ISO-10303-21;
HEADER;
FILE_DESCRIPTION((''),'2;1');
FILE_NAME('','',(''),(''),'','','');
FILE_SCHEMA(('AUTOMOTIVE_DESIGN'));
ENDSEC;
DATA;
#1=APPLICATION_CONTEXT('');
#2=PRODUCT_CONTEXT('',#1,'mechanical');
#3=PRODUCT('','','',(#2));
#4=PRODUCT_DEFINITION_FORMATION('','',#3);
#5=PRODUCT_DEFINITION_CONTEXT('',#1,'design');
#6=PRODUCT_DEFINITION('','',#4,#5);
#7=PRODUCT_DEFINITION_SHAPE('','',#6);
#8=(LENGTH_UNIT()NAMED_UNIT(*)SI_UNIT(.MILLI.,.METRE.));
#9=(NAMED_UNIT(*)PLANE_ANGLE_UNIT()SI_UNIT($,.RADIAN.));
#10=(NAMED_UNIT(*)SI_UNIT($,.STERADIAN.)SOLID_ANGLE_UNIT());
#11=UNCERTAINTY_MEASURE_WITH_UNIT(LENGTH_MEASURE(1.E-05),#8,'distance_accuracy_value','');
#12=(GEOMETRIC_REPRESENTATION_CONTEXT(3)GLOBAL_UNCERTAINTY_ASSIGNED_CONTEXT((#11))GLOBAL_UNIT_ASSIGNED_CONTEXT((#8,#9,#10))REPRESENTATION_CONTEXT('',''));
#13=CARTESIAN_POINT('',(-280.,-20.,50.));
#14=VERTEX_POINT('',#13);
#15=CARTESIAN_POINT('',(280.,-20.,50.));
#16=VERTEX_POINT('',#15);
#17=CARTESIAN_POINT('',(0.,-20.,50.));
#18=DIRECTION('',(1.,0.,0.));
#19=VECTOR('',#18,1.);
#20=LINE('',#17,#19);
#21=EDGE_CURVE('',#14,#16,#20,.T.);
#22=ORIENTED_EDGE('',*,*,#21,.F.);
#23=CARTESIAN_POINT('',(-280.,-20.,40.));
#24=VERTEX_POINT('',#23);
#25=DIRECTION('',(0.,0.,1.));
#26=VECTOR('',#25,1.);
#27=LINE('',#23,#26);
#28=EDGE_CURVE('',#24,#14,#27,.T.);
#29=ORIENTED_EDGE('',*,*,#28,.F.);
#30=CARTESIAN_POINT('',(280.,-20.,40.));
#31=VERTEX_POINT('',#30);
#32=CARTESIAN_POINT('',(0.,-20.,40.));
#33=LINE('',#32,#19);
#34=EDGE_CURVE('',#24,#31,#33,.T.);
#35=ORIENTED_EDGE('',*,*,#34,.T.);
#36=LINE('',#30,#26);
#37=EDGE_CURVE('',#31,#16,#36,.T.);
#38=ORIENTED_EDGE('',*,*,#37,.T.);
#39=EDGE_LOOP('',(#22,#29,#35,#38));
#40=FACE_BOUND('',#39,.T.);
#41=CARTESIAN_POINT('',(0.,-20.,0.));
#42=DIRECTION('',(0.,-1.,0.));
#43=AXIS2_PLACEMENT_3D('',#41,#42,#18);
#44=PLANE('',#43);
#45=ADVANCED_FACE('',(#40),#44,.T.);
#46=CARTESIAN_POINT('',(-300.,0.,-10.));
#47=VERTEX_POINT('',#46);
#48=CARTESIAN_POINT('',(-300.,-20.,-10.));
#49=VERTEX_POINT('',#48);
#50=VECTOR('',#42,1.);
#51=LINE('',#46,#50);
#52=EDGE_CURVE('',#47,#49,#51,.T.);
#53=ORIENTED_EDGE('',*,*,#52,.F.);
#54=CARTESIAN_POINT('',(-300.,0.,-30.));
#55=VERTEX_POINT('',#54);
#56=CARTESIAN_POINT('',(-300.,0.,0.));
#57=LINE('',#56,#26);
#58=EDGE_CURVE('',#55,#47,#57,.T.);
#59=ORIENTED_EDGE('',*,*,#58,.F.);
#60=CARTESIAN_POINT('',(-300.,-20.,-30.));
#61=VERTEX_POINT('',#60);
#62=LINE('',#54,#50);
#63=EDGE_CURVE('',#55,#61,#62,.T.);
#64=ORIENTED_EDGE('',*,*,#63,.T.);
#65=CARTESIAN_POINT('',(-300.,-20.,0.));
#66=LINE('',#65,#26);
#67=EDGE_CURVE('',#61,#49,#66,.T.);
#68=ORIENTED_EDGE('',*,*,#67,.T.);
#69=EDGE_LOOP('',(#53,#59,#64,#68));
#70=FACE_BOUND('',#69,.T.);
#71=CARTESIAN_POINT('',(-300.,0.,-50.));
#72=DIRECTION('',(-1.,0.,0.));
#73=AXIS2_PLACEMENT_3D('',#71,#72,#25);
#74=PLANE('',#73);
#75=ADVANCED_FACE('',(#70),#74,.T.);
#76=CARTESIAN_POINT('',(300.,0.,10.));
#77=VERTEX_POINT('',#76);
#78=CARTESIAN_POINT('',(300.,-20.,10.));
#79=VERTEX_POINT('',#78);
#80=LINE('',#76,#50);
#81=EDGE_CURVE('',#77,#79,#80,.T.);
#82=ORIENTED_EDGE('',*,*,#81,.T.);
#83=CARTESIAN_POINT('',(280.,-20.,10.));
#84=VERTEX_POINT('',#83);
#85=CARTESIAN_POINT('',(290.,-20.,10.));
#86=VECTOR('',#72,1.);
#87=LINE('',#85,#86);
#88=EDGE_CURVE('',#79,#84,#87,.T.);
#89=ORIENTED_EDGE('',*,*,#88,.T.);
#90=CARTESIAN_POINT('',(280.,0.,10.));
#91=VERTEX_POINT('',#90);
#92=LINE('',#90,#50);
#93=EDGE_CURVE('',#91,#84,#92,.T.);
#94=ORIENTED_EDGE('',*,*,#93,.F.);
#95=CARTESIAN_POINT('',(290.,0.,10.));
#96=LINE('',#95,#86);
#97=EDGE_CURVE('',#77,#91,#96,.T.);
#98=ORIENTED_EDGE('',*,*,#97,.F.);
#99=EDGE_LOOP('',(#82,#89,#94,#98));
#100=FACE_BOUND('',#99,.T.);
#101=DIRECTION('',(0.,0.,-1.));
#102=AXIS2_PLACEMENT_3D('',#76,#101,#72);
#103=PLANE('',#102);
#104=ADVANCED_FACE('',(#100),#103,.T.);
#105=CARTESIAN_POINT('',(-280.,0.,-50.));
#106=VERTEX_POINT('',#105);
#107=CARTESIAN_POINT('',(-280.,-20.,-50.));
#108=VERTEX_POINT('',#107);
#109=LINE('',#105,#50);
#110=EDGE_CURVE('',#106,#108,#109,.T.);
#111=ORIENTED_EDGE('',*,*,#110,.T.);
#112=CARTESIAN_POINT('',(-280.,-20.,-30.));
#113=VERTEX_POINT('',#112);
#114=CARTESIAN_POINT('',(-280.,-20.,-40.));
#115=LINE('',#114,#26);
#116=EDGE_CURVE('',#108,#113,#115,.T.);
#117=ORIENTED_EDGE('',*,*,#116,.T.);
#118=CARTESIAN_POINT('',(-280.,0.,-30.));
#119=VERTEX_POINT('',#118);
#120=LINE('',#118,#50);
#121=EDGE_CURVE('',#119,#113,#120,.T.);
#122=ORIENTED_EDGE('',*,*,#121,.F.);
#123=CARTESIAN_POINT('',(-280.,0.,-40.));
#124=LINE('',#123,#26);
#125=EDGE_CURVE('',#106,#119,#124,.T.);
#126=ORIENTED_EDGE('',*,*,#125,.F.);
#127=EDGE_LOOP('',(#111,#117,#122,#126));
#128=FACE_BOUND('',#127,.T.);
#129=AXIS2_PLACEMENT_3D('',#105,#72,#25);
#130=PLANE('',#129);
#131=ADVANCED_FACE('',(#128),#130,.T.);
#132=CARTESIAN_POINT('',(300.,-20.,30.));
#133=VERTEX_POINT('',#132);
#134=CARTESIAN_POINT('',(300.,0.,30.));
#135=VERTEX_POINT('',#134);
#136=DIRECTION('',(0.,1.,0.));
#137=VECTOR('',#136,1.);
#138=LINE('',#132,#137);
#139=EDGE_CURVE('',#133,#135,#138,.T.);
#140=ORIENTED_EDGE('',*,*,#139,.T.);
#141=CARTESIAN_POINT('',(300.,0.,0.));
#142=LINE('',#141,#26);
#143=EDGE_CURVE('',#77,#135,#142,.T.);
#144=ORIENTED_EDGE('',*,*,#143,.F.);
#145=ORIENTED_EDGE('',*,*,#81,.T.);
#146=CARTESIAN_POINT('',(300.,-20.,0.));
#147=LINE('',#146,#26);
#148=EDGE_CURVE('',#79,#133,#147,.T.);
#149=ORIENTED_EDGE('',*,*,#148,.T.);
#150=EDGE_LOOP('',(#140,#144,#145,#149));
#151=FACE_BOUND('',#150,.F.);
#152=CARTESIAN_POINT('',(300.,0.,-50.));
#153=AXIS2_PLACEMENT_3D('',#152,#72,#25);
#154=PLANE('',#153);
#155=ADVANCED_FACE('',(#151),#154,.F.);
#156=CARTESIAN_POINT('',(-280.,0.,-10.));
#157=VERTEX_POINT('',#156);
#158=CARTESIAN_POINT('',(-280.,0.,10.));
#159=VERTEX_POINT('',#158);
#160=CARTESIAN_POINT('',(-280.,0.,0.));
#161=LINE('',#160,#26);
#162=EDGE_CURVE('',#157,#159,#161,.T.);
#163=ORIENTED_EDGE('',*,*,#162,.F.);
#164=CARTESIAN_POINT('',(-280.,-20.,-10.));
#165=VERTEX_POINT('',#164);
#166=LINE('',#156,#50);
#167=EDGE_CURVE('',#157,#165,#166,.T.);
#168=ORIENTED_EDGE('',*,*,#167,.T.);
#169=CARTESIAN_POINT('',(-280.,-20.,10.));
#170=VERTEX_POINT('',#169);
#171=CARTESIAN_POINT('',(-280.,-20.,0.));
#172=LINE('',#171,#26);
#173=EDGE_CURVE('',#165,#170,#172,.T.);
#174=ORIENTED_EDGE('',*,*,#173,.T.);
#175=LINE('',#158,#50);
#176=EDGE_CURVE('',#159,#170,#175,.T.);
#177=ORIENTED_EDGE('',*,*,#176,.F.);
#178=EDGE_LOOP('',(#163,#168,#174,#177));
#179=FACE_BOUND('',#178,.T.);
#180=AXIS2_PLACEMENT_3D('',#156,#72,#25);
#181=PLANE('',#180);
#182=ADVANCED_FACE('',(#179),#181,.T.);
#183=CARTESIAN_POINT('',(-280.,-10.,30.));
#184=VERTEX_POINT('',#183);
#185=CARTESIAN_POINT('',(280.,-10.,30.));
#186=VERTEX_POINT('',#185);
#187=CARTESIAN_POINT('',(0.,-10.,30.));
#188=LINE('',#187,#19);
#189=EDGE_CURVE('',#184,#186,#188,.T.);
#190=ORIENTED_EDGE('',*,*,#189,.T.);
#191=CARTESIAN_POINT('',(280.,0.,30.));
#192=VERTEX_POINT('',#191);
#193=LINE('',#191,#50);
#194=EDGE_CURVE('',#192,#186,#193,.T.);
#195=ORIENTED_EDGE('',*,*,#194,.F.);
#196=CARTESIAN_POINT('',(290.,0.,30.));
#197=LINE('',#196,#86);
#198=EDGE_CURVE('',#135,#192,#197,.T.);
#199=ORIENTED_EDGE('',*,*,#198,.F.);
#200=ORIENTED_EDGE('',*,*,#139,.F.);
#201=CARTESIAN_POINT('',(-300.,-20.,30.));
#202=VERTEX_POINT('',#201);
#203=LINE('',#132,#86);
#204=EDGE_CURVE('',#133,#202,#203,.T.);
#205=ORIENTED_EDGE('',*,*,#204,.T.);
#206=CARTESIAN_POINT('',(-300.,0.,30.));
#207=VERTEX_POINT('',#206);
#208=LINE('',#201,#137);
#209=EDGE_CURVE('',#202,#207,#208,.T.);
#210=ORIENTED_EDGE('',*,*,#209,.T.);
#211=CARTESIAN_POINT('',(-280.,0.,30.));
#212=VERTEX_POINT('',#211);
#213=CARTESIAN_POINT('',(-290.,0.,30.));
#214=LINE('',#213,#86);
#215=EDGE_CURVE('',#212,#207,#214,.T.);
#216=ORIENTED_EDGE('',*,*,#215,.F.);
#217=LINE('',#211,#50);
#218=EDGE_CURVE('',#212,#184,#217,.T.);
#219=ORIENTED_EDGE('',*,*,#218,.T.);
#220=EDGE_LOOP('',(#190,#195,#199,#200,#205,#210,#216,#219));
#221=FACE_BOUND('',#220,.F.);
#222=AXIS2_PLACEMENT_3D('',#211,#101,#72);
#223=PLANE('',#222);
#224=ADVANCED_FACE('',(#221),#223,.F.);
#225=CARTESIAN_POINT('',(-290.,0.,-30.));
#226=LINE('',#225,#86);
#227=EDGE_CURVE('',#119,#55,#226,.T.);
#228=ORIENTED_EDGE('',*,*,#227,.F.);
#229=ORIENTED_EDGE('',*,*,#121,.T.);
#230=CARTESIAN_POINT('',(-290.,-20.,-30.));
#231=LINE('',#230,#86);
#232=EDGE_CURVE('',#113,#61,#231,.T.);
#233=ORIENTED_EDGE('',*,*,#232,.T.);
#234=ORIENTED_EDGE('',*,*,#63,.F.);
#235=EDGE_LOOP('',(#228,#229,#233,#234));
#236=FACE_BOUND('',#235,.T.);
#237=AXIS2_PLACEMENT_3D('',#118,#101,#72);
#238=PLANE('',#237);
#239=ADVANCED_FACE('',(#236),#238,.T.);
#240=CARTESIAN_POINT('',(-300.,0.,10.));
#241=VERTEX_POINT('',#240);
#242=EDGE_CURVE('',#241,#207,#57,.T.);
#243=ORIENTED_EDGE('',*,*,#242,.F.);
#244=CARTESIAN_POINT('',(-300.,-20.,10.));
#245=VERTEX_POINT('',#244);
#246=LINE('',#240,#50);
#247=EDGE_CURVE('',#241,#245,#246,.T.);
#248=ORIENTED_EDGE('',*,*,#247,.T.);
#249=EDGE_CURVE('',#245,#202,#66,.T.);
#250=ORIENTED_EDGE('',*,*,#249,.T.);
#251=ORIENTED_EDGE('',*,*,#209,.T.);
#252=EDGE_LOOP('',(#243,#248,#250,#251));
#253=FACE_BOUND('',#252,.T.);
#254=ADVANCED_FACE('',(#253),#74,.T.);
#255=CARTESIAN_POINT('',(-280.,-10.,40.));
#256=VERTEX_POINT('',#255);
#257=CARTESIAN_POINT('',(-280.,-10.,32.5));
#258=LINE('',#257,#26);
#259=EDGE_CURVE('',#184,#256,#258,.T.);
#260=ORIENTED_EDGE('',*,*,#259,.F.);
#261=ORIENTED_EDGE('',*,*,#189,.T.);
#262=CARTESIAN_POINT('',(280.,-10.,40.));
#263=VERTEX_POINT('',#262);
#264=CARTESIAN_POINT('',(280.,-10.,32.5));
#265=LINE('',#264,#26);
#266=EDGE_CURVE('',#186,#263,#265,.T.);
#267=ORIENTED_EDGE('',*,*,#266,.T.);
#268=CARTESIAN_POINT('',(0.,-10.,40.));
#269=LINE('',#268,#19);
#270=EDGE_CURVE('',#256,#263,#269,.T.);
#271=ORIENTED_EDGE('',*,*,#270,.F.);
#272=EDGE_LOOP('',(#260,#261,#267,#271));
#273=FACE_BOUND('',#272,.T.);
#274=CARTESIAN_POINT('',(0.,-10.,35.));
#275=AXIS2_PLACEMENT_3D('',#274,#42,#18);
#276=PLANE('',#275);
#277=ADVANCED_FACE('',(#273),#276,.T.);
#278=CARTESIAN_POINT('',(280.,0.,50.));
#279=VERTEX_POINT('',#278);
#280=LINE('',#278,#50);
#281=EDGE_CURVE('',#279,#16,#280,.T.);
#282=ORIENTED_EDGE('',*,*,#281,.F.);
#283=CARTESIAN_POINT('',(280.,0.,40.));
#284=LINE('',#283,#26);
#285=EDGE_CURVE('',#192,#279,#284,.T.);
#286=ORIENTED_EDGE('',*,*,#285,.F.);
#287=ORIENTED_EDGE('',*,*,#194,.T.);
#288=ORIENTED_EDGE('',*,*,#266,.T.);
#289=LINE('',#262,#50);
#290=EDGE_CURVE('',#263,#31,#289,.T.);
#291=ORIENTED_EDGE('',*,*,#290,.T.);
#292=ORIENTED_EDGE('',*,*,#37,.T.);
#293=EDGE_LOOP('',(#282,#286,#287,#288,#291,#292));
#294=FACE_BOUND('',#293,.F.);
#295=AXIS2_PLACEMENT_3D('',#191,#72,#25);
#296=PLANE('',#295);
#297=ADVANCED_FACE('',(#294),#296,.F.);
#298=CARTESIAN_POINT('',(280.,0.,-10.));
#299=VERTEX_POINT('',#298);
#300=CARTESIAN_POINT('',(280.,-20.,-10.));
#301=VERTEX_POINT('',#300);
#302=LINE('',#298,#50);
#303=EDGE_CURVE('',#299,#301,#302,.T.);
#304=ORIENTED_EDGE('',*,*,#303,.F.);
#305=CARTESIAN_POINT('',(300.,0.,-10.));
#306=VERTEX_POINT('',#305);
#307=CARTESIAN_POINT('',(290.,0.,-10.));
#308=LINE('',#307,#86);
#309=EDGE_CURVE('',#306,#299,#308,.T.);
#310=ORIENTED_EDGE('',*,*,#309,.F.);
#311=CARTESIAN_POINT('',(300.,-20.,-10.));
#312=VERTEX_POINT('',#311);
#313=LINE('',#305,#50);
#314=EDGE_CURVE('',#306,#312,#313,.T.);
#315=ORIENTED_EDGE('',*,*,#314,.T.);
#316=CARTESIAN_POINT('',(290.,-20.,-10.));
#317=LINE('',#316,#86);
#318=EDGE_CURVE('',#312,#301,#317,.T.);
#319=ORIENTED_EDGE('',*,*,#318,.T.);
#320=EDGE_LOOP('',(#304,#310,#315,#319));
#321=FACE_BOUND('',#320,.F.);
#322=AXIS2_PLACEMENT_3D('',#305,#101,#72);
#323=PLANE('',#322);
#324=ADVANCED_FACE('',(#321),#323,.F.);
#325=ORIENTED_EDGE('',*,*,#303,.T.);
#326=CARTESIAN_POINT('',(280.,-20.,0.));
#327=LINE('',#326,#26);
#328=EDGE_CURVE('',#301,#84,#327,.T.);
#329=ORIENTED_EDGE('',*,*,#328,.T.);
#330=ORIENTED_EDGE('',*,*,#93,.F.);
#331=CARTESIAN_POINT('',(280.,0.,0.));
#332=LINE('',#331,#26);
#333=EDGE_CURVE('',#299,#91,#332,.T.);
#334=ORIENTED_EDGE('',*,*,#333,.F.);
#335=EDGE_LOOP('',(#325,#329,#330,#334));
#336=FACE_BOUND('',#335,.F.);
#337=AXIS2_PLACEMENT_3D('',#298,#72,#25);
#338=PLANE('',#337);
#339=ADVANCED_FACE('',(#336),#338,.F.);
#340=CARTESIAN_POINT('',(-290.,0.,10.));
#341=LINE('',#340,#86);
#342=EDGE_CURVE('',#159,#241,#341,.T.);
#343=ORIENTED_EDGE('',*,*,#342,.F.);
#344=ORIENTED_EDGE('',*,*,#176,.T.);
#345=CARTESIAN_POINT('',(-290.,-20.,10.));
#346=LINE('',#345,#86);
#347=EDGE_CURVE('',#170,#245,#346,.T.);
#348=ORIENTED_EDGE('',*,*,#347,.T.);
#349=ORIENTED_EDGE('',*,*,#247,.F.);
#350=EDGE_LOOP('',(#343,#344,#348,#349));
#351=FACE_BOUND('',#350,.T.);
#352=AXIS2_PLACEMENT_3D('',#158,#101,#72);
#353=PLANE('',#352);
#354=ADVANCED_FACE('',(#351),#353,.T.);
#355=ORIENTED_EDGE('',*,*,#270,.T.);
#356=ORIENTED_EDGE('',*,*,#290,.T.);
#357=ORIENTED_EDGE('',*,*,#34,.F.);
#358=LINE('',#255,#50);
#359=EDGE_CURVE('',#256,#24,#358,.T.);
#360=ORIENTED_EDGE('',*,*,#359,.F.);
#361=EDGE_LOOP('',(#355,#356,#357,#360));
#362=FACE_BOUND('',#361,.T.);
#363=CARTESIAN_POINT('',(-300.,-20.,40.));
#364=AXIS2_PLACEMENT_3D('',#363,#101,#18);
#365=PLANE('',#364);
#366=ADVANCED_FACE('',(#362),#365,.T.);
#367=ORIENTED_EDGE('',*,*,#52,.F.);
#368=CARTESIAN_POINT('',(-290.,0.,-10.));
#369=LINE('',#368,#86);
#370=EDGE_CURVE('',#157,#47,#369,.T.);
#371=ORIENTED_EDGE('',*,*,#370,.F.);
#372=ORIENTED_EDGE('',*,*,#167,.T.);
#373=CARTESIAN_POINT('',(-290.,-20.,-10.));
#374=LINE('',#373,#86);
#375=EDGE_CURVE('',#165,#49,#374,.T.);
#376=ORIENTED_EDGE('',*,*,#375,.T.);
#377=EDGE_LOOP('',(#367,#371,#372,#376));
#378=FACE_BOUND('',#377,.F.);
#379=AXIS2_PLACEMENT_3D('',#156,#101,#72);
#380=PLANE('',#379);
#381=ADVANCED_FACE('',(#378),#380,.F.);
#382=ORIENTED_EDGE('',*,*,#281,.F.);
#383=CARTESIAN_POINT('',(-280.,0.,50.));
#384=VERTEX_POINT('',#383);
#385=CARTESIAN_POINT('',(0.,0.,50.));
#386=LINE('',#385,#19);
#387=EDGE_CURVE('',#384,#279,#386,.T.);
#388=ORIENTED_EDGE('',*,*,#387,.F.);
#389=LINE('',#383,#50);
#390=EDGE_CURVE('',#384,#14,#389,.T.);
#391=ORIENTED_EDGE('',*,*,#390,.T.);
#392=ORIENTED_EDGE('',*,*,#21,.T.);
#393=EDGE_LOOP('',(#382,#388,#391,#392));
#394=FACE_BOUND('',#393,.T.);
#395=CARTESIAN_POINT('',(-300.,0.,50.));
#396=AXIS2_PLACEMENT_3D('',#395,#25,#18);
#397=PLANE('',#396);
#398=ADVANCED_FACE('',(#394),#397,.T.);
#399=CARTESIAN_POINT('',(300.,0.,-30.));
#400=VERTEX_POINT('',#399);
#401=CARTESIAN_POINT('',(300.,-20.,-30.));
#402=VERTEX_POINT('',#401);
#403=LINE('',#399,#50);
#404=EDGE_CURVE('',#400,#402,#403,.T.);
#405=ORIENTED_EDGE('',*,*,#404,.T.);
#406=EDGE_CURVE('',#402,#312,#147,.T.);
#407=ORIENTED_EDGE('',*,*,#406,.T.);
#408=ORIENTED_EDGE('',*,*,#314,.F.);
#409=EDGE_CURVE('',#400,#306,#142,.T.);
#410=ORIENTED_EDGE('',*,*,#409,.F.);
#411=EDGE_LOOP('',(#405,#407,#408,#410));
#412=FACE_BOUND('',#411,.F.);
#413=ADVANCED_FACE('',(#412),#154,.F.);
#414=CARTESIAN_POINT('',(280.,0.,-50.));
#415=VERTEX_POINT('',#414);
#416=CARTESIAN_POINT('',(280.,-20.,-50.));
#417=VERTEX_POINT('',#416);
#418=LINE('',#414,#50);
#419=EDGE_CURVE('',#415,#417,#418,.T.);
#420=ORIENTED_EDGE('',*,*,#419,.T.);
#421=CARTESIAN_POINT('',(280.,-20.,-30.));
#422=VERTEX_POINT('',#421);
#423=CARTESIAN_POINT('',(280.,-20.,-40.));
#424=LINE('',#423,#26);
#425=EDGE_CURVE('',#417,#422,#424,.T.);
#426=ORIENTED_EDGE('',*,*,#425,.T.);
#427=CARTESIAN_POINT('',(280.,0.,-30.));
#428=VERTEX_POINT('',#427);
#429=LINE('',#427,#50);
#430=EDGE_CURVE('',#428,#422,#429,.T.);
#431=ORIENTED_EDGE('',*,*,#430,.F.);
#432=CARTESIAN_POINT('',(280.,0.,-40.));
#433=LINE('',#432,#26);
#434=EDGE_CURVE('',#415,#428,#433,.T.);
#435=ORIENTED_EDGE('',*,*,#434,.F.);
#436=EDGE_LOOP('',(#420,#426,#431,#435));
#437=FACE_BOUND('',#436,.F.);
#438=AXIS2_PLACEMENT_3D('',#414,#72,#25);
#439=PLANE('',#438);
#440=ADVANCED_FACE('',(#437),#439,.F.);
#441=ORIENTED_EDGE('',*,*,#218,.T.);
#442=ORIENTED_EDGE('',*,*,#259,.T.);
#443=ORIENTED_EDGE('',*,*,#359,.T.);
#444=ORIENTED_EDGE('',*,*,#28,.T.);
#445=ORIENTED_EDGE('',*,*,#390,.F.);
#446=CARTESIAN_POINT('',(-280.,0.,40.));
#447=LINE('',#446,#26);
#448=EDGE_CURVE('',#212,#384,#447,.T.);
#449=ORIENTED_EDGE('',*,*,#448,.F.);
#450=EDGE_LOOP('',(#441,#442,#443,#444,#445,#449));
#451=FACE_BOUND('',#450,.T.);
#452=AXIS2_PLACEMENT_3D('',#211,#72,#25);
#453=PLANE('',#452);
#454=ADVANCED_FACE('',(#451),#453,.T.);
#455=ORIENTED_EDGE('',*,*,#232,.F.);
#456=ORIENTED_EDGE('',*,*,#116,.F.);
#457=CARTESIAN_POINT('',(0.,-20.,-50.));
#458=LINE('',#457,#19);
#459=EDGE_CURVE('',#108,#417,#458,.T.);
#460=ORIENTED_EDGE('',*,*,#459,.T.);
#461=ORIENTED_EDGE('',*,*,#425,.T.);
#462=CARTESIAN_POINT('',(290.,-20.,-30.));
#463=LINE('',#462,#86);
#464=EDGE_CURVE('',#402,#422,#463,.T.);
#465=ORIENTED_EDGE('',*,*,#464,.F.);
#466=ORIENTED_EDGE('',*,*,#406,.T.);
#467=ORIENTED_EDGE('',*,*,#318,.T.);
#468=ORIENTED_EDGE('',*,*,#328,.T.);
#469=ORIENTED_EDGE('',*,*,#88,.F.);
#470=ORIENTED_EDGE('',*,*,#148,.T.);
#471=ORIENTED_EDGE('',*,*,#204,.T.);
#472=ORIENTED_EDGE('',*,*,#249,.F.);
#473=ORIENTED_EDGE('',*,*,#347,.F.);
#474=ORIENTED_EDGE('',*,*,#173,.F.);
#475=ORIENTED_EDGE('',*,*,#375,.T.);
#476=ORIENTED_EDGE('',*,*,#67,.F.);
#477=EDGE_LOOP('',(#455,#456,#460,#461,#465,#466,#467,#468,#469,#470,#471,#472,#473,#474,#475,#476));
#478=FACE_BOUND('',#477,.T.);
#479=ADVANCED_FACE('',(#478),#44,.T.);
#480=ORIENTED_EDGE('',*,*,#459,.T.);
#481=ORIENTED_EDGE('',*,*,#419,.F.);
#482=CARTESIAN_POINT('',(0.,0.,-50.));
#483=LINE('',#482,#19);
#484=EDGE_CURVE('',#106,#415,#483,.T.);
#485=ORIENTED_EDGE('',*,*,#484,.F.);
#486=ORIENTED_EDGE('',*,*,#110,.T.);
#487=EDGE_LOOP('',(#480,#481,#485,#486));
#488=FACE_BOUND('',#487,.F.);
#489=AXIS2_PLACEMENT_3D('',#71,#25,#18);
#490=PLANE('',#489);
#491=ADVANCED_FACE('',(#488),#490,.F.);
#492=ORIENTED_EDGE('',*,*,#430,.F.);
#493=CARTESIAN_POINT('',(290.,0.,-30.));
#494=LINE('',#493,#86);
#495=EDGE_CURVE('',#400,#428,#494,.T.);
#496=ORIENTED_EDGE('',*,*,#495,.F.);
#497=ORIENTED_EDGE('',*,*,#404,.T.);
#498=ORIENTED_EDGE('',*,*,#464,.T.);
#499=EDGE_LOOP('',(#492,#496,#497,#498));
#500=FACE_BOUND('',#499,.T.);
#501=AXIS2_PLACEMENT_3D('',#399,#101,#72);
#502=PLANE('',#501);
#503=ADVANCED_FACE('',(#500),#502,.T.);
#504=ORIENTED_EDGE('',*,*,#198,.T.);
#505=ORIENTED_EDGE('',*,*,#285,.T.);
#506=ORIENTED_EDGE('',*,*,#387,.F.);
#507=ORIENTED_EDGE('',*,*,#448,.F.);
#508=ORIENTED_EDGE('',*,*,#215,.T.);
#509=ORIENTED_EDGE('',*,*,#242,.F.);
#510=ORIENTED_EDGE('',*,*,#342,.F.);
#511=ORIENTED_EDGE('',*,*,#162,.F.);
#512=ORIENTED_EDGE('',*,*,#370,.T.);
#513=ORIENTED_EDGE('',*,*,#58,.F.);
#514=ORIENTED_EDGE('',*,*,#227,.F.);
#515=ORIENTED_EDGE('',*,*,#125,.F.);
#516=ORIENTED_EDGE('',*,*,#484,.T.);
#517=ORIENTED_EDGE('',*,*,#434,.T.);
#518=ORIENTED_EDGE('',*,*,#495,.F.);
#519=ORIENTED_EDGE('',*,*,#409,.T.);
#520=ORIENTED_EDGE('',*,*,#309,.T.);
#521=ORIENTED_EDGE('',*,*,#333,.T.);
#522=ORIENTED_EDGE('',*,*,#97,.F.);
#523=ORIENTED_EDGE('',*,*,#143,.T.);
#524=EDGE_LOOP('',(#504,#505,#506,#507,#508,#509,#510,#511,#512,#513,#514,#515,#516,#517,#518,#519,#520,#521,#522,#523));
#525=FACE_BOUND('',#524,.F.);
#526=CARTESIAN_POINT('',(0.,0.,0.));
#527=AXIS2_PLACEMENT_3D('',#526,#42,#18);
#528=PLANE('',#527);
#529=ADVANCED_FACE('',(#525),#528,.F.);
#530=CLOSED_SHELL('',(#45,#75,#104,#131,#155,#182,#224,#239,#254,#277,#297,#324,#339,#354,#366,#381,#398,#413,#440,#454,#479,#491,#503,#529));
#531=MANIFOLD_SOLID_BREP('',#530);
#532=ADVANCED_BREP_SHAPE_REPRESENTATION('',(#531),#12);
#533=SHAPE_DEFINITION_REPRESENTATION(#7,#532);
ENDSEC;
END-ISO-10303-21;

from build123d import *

# Parameters (mm, degrees)
F0_W     = 600
F0_H     = 100
F1_DEPTH = 20
F2_W     = 20
F2_H     = 20
F3_DEPTH = 20
F4_W     = 600
F4_H     = 10
F5_DEPTH = 10


with BuildPart() as f1:
    # F0 (on Front) → F1 (new body)
    with BuildSketch(Plane.XZ):
        Rectangle(F0_W, F0_H)
    extrude(amount=F1_DEPTH)

    # F2 (on face) → F3 (cut, through all)
    with BuildSketch(Plane(origin=(0, 0, 0), x_dir=(-1, 0, 0), z_dir=(0, 1, 0))):
        with Locations((-290, -40)):
            Rectangle(F2_W, F2_H)
        with Locations((-290, 0)):
            Rectangle(F2_W, F2_H)
        with Locations((290, 0)):
            Rectangle(F2_W, F2_H)
        with Locations((290, -40)):
            Rectangle(F2_W, F2_H)
        with Locations((290, 40)):
            Rectangle(F2_W, F2_H)
        with Locations((-290, 40)):
            Rectangle(F2_W, F2_H)
    extrude(amount=-F3_DEPTH, mode=Mode.SUBTRACT)

    # F4 (on face) → F5 (cut)
    with BuildSketch(Plane.XZ.offset(20)):
        with Locations((0, 35)):
            Rectangle(F4_W, F4_H)
    extrude(amount=-F5_DEPTH, mode=Mode.SUBTRACT)


solid = f1.part
